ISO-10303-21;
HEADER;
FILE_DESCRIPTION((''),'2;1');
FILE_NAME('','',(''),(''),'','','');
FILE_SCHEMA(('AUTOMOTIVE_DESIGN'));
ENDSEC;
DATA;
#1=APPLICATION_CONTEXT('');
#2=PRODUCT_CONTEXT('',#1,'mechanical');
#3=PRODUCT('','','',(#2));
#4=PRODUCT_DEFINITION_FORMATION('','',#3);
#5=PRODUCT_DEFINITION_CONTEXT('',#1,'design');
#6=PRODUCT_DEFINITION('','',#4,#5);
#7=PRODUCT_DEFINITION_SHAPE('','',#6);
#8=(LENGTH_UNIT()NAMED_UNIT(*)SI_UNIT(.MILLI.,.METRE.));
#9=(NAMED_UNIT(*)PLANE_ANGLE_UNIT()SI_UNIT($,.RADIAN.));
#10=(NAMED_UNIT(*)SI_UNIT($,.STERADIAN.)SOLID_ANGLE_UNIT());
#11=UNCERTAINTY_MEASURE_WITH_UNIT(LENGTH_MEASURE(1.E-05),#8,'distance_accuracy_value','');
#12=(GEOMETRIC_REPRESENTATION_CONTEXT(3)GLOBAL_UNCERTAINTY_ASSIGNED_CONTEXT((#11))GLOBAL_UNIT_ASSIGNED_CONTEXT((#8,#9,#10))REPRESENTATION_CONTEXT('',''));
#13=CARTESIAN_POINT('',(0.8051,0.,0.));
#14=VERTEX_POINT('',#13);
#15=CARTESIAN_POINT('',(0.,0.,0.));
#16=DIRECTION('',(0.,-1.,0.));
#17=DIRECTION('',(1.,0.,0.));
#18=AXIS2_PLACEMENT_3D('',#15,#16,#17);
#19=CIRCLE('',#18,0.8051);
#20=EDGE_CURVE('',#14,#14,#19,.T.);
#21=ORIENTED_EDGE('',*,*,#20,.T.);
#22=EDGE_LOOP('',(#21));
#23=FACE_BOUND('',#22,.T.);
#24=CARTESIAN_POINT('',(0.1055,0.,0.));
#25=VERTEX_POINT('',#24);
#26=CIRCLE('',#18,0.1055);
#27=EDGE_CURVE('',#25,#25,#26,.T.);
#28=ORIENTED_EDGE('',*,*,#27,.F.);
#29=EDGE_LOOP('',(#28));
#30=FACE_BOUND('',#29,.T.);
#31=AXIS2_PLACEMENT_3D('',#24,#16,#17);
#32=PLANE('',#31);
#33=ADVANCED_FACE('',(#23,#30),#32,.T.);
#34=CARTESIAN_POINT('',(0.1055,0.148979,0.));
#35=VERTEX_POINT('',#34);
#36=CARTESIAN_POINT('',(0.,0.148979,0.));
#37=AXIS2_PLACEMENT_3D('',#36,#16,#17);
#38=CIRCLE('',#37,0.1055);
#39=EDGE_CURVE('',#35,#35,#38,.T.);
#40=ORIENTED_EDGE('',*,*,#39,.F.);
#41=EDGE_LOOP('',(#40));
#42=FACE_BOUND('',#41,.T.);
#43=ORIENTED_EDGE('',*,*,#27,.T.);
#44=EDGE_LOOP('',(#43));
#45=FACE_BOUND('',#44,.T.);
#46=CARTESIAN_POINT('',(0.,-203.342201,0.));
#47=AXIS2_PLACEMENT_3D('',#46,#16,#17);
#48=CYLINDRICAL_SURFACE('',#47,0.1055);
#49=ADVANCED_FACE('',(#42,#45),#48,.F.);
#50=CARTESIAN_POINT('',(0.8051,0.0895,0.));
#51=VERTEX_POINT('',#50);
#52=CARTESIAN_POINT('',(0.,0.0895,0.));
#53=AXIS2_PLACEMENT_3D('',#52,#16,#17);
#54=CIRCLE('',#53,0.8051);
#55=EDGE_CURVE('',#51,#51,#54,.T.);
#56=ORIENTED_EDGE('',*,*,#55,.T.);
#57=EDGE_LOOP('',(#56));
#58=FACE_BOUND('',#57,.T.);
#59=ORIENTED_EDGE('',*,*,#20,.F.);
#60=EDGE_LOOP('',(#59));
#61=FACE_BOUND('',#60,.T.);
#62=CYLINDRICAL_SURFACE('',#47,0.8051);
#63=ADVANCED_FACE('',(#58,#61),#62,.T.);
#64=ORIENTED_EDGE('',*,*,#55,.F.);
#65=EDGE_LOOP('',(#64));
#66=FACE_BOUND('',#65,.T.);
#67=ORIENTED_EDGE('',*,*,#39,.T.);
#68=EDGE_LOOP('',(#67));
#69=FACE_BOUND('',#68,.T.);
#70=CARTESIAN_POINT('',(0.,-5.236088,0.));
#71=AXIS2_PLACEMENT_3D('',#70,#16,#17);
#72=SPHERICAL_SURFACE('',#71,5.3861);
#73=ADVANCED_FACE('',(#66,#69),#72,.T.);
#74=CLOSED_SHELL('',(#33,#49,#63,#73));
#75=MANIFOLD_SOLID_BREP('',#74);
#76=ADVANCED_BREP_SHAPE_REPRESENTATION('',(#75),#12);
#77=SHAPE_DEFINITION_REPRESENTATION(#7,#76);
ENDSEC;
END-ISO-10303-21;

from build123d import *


with BuildPart() as part:
    # Sketch1 → Revolve1 (revolve)
    with BuildSketch(Plane.XY):
        with BuildLine():
            Line((0.1055, 0.148978695), (0.1055, 0))
            Line((0.1055, 0), (0.8051, 0))
            Line((0.8051, 0), (0.8051, 0.0895))
            ThreePointArc((0.8051, 0.0895), (0.456270226, 0.13065133), (0.1055, 0.148978695))
        make_face()
    revolve(axis=Axis((0, -203.342200931, 0), (0, 1, 0)))


solid = part.part
